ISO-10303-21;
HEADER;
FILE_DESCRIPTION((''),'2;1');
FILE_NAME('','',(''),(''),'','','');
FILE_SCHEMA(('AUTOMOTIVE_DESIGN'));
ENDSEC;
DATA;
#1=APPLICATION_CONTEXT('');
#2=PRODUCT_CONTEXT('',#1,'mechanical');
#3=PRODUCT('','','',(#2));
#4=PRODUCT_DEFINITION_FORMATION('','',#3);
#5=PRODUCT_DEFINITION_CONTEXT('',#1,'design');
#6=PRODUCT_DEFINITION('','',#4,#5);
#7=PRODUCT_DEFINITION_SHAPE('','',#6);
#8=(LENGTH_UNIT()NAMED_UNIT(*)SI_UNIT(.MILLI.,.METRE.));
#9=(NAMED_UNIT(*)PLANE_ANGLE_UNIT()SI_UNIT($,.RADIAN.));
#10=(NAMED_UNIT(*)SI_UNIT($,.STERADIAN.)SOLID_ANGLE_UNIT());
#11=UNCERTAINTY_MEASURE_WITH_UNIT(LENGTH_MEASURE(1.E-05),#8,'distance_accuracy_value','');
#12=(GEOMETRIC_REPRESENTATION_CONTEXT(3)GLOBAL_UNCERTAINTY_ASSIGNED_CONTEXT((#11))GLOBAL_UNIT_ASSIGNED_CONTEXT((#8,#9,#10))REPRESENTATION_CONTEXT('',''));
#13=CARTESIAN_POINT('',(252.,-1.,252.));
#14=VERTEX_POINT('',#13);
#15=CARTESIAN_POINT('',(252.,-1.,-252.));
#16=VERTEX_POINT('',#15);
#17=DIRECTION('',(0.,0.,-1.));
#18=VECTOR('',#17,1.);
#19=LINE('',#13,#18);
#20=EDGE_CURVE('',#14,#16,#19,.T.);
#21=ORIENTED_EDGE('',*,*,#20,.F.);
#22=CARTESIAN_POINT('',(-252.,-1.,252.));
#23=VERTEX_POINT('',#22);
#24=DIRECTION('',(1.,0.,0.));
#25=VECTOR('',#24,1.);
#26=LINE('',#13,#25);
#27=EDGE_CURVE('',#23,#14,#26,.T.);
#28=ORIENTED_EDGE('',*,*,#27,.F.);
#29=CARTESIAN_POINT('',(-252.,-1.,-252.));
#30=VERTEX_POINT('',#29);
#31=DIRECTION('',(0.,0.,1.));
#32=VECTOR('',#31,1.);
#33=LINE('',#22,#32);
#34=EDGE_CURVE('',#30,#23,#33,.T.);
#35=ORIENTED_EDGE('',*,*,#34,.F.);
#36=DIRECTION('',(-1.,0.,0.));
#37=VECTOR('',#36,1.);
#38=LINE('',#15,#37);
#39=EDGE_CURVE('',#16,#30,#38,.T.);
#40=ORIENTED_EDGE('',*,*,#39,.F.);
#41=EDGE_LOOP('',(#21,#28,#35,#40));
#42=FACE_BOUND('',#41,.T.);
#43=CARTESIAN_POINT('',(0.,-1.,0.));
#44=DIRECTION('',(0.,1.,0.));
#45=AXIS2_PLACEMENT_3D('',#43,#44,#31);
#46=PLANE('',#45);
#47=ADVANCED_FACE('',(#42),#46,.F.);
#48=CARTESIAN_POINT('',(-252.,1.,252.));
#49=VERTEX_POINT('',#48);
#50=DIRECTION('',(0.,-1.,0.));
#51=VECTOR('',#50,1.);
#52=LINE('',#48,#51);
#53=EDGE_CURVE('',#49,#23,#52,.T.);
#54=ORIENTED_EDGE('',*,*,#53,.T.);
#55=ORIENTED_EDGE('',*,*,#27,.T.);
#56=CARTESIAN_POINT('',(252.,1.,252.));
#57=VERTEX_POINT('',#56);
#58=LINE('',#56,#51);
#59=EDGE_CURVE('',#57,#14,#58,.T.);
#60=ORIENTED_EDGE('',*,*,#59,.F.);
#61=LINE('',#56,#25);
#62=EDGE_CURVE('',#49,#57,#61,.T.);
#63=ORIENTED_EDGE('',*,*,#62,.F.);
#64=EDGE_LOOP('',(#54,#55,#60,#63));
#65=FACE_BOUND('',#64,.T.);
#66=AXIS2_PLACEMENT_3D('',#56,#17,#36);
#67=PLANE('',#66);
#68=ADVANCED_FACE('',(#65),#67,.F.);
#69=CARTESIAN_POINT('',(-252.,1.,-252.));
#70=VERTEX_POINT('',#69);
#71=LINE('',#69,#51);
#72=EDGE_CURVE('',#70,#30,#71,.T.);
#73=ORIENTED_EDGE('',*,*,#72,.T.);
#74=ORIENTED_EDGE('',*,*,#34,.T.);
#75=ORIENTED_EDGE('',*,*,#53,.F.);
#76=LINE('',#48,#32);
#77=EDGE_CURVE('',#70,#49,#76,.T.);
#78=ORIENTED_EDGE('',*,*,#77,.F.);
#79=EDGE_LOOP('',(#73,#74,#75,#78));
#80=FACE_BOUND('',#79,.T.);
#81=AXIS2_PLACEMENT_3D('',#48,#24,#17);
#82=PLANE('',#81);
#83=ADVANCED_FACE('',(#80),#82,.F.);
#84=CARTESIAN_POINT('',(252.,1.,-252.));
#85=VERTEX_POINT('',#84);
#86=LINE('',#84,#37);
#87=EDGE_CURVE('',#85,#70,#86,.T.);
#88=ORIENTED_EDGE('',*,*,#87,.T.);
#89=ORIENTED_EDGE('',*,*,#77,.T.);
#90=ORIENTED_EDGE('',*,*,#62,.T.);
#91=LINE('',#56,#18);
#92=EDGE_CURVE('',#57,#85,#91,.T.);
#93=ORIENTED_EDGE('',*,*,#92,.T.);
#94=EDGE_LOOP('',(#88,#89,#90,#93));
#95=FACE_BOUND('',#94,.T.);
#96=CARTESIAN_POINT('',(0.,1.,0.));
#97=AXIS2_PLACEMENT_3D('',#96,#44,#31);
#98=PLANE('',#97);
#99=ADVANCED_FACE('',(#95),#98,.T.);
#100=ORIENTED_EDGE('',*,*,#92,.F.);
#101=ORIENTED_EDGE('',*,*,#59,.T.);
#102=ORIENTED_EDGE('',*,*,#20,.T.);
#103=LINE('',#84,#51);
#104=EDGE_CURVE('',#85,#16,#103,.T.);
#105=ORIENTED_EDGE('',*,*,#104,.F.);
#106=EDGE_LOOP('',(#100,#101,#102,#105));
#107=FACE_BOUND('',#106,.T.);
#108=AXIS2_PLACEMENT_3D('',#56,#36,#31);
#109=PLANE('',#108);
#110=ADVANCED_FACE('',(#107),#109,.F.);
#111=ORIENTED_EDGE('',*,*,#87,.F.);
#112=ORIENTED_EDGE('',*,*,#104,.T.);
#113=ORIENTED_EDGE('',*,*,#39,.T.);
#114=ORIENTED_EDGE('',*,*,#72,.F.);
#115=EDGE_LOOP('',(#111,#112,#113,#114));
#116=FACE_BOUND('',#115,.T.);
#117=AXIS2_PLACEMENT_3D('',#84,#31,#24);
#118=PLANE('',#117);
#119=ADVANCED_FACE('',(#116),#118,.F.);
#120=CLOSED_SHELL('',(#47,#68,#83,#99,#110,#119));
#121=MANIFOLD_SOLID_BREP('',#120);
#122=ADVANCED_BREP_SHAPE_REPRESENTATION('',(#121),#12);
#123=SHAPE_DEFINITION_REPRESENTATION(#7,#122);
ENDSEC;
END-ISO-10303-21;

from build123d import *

# Parameters (mm, degrees)
SKETCH1_W           = 504
SKETCH1_H           = 504
BOSS_EXTRUDE1_DEPTH = 1


with BuildPart() as part:
    # Sketch1 → Boss-Extrude1 (new, symmetric)
    with BuildSketch(Plane(origin=(0, 0, 0), x_dir=(1, 0, 0), z_dir=(0, 1, 0))):
        Rectangle(SKETCH1_W, SKETCH1_H)
    extrude(amount=BOSS_EXTRUDE1_DEPTH, both=True)


solid = part.part
